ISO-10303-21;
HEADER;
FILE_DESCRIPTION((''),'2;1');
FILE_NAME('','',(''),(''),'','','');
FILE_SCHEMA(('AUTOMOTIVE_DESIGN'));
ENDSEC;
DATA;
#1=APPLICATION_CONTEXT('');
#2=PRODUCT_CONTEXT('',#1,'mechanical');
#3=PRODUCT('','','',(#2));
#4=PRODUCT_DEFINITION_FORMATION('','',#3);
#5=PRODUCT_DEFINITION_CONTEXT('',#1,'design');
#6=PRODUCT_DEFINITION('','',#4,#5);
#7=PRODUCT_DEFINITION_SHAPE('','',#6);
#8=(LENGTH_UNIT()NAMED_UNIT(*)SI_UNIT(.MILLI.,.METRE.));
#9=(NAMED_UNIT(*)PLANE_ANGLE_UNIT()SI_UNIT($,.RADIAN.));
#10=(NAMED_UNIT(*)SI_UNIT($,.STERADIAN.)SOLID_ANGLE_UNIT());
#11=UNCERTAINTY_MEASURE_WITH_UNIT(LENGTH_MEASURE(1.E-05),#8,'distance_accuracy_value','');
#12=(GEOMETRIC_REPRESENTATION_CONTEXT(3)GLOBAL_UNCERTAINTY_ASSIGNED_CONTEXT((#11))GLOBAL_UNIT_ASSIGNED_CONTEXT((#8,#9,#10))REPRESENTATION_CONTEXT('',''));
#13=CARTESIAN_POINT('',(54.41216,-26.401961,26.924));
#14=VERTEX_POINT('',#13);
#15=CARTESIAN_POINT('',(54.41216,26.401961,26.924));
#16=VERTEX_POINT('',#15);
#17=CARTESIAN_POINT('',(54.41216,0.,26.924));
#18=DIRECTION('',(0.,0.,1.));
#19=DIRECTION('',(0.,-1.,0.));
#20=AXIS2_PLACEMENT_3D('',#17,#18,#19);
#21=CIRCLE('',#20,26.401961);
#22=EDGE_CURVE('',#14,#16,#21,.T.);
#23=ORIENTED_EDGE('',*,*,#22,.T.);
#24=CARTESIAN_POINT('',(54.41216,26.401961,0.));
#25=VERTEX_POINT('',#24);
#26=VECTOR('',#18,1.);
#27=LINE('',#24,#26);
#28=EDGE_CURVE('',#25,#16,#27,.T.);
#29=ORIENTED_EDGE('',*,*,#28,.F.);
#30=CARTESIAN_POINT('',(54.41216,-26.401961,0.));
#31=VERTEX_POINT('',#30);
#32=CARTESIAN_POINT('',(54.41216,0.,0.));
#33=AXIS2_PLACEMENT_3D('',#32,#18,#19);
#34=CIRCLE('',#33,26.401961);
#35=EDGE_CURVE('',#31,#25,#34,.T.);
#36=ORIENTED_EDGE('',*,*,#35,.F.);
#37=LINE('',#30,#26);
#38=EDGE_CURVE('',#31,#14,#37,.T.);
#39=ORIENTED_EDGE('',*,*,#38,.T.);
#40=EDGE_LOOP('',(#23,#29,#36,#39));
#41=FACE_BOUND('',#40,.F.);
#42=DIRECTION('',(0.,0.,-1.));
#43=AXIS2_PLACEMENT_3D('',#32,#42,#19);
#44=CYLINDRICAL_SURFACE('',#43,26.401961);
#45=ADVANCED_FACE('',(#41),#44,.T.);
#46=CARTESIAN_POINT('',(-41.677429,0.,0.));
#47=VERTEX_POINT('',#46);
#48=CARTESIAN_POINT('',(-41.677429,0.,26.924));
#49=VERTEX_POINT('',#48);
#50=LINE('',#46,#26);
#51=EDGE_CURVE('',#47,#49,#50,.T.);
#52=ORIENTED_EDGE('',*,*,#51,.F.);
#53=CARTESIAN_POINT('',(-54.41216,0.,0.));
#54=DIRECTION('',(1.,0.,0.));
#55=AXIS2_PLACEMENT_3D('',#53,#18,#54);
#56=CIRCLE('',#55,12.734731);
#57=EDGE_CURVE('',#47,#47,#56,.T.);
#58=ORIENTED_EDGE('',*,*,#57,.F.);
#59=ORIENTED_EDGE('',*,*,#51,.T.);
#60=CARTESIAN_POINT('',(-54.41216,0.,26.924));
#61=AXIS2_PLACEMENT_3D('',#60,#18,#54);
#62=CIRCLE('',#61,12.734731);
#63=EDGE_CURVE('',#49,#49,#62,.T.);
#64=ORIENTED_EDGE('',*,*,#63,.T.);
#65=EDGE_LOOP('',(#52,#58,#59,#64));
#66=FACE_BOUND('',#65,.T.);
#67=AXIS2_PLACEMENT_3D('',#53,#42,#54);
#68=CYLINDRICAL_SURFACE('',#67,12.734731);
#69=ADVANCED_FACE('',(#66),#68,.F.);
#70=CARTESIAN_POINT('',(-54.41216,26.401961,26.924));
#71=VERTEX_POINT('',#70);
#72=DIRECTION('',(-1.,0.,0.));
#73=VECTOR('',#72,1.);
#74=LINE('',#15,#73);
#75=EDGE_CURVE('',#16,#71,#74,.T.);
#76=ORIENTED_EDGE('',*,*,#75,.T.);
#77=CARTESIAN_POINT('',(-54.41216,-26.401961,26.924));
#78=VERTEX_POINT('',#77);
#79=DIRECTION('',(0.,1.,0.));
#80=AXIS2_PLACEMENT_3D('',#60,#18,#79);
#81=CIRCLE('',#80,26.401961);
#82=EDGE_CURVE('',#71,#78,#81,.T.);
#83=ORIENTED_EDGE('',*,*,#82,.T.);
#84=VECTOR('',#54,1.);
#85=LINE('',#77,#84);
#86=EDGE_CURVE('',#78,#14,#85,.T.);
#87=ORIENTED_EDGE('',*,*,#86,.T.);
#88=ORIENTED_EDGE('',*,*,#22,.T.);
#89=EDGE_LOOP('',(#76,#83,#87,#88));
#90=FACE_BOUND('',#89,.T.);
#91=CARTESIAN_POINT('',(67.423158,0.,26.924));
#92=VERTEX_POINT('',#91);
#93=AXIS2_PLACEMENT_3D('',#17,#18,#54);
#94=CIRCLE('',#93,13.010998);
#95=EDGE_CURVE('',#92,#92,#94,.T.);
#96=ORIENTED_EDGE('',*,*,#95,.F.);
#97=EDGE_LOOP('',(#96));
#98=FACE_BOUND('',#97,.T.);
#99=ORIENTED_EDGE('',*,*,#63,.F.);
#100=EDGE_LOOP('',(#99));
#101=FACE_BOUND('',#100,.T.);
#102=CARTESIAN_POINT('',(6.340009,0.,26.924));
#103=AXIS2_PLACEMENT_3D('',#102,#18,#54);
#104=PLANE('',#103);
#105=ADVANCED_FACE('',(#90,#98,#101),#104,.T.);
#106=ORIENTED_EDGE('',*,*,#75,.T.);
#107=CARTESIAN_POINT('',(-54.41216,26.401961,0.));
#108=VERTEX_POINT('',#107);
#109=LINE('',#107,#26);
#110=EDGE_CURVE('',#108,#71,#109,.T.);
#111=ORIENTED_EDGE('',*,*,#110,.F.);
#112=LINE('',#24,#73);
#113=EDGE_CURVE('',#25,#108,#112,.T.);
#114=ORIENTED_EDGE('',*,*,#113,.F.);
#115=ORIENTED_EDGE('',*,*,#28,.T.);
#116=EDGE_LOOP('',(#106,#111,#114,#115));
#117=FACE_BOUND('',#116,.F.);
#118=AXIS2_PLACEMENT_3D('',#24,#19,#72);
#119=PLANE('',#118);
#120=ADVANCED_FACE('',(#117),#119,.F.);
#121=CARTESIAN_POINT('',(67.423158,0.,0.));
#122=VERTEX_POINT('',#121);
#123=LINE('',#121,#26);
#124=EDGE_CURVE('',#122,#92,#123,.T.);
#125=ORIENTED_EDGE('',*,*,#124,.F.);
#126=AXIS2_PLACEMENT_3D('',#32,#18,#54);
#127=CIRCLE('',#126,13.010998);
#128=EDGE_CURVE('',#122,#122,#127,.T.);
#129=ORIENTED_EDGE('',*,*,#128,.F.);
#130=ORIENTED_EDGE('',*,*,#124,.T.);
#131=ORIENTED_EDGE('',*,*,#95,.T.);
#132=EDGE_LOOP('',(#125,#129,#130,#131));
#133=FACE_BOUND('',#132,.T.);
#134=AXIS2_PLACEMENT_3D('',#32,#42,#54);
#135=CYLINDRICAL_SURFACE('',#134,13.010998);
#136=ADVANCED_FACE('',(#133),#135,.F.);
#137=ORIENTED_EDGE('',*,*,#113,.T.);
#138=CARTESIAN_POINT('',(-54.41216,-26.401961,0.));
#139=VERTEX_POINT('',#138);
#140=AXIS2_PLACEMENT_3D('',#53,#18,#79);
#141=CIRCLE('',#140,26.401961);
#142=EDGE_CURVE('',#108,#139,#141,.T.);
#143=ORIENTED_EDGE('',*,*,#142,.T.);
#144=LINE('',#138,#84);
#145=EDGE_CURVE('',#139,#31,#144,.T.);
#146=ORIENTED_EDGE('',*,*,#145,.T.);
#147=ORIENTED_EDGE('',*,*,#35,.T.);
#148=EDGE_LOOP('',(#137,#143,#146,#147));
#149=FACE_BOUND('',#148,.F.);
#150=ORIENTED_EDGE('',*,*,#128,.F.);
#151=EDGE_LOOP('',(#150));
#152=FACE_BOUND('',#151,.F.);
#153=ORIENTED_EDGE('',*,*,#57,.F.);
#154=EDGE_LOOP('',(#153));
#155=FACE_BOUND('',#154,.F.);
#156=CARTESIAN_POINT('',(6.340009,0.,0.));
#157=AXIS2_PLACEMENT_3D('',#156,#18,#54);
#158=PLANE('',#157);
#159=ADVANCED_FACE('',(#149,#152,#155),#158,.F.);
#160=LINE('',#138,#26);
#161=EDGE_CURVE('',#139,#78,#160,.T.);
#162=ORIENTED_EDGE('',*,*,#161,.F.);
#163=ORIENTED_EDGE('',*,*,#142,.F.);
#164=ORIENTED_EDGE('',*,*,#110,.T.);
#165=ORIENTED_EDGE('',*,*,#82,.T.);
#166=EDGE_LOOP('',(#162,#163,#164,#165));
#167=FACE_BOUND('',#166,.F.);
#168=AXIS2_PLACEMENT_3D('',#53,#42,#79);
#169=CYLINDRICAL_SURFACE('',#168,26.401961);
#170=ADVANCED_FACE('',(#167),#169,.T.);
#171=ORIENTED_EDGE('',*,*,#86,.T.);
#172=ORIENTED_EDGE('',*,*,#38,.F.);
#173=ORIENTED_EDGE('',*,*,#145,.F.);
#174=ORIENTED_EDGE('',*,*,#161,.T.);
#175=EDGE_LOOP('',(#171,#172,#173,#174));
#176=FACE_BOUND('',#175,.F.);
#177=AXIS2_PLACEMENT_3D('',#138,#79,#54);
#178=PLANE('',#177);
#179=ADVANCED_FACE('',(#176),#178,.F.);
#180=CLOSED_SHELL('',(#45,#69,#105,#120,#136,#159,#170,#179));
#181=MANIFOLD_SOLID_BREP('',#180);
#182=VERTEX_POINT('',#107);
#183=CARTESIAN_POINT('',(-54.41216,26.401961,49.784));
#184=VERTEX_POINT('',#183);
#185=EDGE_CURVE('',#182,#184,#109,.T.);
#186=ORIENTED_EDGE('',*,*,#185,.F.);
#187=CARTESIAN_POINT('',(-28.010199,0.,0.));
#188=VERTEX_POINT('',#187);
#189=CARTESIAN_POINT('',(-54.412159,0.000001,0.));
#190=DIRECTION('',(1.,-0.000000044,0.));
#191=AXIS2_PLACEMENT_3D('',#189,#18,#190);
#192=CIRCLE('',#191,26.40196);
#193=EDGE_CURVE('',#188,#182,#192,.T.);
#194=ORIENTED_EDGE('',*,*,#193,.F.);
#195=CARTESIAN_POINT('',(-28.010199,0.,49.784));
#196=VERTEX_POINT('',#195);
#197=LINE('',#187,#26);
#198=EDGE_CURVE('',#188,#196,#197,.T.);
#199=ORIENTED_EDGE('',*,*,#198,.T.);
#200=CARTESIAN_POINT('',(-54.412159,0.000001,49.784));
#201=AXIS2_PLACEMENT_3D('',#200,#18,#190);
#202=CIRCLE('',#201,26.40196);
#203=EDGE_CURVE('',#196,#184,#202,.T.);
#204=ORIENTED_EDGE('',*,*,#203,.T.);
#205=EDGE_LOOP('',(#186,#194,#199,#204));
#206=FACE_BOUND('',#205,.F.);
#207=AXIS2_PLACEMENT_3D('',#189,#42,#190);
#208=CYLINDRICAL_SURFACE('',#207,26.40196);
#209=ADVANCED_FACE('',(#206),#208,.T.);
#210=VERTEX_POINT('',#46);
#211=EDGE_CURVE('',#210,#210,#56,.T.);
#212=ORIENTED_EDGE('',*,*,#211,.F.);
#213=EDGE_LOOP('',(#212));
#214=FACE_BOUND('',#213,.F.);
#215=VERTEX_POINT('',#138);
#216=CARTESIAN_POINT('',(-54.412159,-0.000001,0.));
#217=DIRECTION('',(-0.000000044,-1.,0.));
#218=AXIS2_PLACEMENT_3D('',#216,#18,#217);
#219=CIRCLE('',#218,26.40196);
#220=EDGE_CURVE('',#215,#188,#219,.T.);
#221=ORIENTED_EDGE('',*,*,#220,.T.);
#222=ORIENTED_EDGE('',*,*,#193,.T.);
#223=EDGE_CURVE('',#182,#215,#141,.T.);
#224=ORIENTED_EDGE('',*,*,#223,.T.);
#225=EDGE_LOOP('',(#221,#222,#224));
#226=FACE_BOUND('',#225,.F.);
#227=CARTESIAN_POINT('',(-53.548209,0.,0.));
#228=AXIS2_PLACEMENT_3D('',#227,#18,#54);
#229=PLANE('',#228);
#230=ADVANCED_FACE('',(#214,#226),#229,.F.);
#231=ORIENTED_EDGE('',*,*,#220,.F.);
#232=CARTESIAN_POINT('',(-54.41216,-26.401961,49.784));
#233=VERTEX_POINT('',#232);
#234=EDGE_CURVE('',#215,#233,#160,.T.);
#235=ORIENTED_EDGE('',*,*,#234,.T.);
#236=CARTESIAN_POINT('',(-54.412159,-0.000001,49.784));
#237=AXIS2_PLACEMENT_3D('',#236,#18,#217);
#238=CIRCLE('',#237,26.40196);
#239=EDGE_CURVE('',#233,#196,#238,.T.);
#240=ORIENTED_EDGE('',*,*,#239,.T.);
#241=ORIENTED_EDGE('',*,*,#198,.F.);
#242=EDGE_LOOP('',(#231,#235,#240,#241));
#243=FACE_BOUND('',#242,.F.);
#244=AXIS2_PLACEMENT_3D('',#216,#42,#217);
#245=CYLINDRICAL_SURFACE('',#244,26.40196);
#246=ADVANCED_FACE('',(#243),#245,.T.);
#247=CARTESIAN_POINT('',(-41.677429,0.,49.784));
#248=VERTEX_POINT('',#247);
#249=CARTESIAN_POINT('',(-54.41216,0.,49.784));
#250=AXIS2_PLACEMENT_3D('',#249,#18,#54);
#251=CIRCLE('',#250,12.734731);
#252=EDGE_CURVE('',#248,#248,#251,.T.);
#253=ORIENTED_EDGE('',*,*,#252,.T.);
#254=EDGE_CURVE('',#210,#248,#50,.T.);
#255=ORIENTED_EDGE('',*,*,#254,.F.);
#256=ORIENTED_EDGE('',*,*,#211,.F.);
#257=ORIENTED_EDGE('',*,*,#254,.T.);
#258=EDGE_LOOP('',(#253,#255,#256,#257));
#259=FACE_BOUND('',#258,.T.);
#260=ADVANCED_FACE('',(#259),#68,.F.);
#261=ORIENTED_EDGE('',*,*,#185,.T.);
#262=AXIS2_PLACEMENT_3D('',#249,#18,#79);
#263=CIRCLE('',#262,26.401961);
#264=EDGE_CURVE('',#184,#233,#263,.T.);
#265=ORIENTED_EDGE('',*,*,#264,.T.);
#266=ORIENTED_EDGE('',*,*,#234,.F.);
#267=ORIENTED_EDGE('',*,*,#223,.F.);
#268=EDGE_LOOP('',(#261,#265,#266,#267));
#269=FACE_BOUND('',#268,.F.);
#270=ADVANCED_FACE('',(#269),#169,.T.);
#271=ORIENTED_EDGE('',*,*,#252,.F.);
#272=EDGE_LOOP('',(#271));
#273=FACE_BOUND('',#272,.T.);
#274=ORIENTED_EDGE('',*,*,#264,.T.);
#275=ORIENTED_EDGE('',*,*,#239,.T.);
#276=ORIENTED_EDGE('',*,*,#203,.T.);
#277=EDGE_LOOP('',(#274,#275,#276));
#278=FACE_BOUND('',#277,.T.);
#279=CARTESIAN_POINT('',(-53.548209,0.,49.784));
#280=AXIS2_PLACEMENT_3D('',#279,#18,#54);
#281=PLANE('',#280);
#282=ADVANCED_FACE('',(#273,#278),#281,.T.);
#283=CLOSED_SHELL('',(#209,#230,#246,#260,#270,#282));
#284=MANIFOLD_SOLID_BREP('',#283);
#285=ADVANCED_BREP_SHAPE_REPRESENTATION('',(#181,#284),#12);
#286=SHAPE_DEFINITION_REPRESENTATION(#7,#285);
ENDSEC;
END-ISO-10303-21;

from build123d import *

# Parameters (mm, degrees)
F0_R     = 12.734731
F1_DEPTH = 49.784
F0_R_2   = 13.010998
F2_DEPTH = 26.924


with BuildPart() as f1:
    # F0 (on Top) → F1 (new body)
    with BuildSketch(Plane.XY):
        with BuildLine():
            ThreePointArc((-54.41216, 26.401961), (-80.814121, 0), (-54.41216, -26.401961))
            ThreePointArc((-54.41216, -26.401961), (-35.743154, -18.669006), (-28.010199, 0))
            ThreePointArc((-28.010199, 0), (-35.743154, 18.669006), (-54.41216, 26.401961))
        make_face()
        with Locations((-54.41216, 0)):
            Circle(F0_R, mode=Mode.SUBTRACT)
    extrude(amount=F1_DEPTH)


with BuildPart() as f2:
    # F0 (on Top) → F2 (new body)
    with BuildSketch(Plane.XY):
        with BuildLine():
            Line((-54.41216, -26.401961), (54.41216, -26.401961))
            ThreePointArc((54.41216, -26.401961), (80.814121, 0), (54.41216, 26.401961))
            Line((54.41216, 26.401961), (-54.41216, 26.401961))
            ThreePointArc((-54.41216, 26.401961), (-35.743154, 18.669006), (-28.010199, 0))
            ThreePointArc((-28.010199, 0), (-35.743154, -18.669006), (-54.41216, -26.401961))
        make_face()
        with Locations((54.41216, 0)):
            Circle(F0_R_2, mode=Mode.SUBTRACT)
        with BuildLine():
            ThreePointArc((-54.41216, 26.401961), (-80.814121, 0), (-54.41216, -26.401961))
            ThreePointArc((-54.41216, -26.401961), (-35.743154, -18.669006), (-28.010199, 0))
            ThreePointArc((-28.010199, 0), (-35.743154, 18.669006), (-54.41216, 26.401961))
        make_face()
        with Locations((-54.41216, 0)):
            Circle(F0_R, mode=Mode.SUBTRACT)
    extrude(amount=F2_DEPTH)


solid = Compound([f1.part, f2.part])
